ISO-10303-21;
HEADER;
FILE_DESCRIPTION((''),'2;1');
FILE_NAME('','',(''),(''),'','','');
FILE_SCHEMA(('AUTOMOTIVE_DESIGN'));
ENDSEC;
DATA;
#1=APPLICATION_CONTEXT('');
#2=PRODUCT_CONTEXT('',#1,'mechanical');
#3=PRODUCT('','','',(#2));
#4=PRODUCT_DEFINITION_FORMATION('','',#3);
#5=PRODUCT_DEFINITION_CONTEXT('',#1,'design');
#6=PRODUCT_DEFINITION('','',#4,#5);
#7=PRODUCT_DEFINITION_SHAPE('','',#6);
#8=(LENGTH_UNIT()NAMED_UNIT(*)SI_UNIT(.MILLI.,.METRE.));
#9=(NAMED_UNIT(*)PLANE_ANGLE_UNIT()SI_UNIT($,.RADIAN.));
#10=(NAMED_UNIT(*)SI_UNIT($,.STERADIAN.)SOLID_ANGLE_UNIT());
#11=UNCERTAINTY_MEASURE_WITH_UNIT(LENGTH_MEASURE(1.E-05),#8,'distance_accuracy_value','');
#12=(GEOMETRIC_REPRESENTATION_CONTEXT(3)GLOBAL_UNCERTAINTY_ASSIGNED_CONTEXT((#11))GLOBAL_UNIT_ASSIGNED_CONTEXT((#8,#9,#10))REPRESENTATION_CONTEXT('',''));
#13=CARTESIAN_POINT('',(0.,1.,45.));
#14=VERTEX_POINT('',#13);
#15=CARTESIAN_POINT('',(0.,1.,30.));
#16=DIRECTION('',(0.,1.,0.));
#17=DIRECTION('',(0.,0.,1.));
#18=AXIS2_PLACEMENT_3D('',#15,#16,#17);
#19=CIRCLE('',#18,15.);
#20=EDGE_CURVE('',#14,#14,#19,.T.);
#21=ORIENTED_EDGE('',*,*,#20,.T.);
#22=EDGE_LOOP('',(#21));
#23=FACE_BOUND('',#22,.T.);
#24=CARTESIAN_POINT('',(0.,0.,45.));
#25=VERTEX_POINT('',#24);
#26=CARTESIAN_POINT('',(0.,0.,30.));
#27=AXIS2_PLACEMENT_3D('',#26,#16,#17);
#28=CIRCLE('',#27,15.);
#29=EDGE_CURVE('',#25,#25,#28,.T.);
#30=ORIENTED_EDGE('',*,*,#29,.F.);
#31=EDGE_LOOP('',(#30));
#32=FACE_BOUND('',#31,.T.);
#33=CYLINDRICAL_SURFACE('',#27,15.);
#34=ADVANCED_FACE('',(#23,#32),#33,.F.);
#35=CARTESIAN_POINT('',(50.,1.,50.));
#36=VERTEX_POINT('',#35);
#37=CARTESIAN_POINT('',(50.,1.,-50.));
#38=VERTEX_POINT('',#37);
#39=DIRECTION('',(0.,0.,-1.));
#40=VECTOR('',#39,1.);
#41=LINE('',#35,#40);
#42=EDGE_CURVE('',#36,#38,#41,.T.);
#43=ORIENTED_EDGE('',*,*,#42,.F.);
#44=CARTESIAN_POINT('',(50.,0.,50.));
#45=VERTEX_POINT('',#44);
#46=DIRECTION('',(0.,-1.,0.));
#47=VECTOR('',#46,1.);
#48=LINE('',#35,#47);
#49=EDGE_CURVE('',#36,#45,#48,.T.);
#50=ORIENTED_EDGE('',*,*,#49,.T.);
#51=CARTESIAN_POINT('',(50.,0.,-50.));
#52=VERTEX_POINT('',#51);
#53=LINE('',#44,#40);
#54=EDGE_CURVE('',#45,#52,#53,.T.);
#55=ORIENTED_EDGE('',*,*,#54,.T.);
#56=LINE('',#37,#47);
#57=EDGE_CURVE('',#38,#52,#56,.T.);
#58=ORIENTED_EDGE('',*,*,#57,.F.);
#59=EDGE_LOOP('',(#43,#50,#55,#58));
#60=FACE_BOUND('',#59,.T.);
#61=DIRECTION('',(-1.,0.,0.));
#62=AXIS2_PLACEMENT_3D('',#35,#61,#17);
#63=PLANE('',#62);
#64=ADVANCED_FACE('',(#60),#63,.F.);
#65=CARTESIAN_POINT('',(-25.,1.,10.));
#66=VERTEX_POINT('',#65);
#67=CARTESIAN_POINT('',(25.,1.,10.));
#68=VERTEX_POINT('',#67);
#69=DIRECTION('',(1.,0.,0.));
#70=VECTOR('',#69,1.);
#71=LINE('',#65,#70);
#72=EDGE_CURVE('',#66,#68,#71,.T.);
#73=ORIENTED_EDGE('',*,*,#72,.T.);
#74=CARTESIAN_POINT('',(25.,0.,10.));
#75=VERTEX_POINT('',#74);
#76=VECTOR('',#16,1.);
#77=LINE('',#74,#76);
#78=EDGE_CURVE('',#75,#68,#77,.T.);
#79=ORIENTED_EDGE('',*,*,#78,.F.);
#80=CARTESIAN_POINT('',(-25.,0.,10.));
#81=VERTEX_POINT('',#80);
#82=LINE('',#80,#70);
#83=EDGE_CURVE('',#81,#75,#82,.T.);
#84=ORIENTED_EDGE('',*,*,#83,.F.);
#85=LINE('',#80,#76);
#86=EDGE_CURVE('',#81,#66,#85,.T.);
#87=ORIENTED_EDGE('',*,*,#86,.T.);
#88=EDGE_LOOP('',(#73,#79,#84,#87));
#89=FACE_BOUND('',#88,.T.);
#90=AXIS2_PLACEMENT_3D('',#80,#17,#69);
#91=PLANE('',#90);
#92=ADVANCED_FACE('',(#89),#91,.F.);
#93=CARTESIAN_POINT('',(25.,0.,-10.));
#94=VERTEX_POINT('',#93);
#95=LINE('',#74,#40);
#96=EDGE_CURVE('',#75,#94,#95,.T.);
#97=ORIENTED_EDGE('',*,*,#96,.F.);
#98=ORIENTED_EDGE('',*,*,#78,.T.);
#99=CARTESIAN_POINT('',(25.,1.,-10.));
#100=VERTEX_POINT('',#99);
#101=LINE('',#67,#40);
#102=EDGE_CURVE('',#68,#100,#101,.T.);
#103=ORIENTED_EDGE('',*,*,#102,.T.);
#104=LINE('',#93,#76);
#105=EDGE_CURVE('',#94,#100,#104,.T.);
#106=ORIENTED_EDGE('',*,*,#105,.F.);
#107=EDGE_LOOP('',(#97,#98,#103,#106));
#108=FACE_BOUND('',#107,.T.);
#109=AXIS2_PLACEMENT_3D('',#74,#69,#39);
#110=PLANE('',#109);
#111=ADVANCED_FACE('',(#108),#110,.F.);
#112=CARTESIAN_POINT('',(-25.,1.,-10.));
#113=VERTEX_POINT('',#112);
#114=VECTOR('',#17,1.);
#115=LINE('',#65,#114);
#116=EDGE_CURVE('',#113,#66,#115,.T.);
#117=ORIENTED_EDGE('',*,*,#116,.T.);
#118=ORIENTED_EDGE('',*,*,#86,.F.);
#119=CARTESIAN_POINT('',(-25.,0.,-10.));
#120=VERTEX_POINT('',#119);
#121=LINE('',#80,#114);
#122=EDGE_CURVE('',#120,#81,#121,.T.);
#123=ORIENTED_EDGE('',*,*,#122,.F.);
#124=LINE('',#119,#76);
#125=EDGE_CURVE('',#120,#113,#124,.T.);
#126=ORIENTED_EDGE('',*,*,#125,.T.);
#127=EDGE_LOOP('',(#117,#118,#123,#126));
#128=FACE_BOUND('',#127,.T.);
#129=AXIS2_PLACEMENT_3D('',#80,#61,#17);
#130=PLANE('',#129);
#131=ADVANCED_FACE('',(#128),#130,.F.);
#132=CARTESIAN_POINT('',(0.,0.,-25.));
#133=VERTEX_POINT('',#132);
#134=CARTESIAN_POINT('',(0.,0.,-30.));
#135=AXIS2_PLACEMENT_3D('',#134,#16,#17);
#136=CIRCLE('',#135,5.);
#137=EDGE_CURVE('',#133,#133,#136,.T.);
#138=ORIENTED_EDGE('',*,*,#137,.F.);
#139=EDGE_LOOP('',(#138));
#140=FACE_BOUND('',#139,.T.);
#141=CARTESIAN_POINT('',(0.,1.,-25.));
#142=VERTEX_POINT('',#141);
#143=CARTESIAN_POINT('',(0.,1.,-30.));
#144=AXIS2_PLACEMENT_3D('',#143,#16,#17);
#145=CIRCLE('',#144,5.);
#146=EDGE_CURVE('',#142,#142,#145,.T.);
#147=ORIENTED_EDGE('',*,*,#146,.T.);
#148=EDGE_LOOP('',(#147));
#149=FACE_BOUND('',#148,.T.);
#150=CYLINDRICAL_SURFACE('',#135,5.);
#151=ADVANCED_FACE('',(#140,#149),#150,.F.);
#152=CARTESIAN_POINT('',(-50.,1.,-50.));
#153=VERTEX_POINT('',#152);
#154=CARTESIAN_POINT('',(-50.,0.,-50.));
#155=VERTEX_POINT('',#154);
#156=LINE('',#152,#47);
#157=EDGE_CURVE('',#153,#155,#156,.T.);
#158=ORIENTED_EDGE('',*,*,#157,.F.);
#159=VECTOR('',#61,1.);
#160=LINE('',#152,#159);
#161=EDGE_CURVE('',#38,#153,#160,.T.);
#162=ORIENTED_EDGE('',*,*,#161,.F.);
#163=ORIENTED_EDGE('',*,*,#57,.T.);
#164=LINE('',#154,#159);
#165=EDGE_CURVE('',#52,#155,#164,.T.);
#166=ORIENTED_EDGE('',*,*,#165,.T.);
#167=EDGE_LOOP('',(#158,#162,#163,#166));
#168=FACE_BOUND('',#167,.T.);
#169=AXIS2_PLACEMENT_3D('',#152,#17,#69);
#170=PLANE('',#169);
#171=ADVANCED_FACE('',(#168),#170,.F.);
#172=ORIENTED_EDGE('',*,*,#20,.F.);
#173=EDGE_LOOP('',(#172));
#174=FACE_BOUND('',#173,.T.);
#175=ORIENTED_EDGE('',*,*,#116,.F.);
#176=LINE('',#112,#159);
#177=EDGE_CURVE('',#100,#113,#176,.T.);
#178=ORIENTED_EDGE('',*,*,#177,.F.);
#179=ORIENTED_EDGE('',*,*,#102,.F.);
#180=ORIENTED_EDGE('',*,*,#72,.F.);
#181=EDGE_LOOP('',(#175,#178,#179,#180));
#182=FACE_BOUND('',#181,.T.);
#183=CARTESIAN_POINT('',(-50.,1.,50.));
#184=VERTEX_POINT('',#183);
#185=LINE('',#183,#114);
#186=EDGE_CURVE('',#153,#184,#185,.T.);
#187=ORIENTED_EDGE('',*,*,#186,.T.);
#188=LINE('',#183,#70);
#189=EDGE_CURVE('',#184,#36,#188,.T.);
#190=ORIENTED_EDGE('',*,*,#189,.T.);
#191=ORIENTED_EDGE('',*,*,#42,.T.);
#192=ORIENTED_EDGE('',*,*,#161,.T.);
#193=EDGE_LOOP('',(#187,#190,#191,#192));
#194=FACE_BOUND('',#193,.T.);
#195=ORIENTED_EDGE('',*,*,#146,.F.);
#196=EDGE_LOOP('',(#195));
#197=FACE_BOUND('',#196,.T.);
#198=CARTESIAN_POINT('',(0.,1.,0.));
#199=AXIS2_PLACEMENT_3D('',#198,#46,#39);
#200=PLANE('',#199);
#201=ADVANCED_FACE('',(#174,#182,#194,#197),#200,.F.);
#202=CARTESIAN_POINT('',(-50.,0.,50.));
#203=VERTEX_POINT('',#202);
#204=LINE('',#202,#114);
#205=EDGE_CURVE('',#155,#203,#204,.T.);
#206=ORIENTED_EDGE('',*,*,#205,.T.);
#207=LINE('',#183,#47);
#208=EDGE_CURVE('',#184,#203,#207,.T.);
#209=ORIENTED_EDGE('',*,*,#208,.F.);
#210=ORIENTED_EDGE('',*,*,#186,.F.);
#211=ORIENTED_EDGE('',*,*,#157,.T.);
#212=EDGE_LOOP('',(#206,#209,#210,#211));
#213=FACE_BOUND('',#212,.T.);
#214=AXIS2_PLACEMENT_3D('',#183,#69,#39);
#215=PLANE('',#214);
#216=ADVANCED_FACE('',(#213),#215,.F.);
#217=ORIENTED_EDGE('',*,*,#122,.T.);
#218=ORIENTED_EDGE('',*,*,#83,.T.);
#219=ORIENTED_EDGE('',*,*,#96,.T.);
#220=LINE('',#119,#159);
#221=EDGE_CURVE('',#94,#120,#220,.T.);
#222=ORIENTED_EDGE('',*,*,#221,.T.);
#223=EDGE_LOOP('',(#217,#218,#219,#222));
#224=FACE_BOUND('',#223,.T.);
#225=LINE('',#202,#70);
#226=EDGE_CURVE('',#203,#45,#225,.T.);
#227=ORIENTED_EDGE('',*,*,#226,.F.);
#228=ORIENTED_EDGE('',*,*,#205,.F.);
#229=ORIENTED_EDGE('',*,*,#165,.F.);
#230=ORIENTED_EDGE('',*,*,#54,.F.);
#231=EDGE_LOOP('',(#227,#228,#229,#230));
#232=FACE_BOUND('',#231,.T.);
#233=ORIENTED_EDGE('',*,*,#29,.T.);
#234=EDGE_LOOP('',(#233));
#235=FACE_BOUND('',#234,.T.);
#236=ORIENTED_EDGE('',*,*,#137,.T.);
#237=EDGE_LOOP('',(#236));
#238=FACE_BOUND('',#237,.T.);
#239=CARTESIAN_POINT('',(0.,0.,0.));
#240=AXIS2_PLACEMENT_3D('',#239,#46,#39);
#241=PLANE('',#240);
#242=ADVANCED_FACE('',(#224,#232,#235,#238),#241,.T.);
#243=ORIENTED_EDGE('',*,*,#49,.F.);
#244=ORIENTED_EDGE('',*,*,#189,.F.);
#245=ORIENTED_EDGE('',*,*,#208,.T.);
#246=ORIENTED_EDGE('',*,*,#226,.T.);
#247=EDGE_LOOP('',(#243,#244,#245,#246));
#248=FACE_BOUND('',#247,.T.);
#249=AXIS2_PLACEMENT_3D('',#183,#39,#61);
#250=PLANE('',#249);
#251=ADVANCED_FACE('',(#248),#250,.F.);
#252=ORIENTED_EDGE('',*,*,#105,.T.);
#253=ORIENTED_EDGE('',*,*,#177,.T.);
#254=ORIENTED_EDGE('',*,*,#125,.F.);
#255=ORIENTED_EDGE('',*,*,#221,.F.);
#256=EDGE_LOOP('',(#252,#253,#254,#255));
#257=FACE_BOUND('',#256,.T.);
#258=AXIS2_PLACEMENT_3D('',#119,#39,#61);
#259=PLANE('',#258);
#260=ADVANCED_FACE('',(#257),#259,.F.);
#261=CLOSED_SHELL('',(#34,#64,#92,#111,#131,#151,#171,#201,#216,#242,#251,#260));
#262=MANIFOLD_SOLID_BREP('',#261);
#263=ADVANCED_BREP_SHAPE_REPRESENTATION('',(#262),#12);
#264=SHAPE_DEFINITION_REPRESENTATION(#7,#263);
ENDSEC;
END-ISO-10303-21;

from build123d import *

# Parameters (mm, degrees)
SKETCH1_W           = 100
SKETCH1_H           = 100
BOSS_EXTRUDE1_DEPTH = 1
SKETCH2_W           = 50
SKETCH2_H           = 20
CUT_EXTRUDE1_DEPTH  = 1
SKETCH3_R           = 5
SKETCH3_R_2         = 15
CUT_EXTRUDE2_DEPTH  = 1


with BuildPart() as part:
    # Sketch1 → Boss-Extrude1 (new body)
    with BuildSketch(Plane(origin=(0, 0, 0), x_dir=(1, 0, 0), z_dir=(0, 1, 0))):
        Rectangle(SKETCH1_W, SKETCH1_H)
    extrude(amount=BOSS_EXTRUDE1_DEPTH)

    # Sketch2 → Cut-Extrude1 (cut)
    with BuildSketch(Plane(origin=(0, 1, 0), x_dir=(1, 0, 0), z_dir=(0, 1, 0))):
        Rectangle(SKETCH2_W, SKETCH2_H)
    extrude(amount=-CUT_EXTRUDE1_DEPTH, mode=Mode.SUBTRACT)

    # Sketch3 → Cut-Extrude2 (cut)
    with BuildSketch(Plane(origin=(0, 1, 0), x_dir=(1, 0, 0), z_dir=(0, 1, 0))):
        with Locations(Location((0, 30, 0), (0, 0, 270))):
            Circle(SKETCH3_R)
        with Locations(Location((0, -30, 0), (0, 0, 270))):
            Circle(SKETCH3_R_2)
    extrude(amount=-CUT_EXTRUDE2_DEPTH, mode=Mode.SUBTRACT)


solid = part.part
